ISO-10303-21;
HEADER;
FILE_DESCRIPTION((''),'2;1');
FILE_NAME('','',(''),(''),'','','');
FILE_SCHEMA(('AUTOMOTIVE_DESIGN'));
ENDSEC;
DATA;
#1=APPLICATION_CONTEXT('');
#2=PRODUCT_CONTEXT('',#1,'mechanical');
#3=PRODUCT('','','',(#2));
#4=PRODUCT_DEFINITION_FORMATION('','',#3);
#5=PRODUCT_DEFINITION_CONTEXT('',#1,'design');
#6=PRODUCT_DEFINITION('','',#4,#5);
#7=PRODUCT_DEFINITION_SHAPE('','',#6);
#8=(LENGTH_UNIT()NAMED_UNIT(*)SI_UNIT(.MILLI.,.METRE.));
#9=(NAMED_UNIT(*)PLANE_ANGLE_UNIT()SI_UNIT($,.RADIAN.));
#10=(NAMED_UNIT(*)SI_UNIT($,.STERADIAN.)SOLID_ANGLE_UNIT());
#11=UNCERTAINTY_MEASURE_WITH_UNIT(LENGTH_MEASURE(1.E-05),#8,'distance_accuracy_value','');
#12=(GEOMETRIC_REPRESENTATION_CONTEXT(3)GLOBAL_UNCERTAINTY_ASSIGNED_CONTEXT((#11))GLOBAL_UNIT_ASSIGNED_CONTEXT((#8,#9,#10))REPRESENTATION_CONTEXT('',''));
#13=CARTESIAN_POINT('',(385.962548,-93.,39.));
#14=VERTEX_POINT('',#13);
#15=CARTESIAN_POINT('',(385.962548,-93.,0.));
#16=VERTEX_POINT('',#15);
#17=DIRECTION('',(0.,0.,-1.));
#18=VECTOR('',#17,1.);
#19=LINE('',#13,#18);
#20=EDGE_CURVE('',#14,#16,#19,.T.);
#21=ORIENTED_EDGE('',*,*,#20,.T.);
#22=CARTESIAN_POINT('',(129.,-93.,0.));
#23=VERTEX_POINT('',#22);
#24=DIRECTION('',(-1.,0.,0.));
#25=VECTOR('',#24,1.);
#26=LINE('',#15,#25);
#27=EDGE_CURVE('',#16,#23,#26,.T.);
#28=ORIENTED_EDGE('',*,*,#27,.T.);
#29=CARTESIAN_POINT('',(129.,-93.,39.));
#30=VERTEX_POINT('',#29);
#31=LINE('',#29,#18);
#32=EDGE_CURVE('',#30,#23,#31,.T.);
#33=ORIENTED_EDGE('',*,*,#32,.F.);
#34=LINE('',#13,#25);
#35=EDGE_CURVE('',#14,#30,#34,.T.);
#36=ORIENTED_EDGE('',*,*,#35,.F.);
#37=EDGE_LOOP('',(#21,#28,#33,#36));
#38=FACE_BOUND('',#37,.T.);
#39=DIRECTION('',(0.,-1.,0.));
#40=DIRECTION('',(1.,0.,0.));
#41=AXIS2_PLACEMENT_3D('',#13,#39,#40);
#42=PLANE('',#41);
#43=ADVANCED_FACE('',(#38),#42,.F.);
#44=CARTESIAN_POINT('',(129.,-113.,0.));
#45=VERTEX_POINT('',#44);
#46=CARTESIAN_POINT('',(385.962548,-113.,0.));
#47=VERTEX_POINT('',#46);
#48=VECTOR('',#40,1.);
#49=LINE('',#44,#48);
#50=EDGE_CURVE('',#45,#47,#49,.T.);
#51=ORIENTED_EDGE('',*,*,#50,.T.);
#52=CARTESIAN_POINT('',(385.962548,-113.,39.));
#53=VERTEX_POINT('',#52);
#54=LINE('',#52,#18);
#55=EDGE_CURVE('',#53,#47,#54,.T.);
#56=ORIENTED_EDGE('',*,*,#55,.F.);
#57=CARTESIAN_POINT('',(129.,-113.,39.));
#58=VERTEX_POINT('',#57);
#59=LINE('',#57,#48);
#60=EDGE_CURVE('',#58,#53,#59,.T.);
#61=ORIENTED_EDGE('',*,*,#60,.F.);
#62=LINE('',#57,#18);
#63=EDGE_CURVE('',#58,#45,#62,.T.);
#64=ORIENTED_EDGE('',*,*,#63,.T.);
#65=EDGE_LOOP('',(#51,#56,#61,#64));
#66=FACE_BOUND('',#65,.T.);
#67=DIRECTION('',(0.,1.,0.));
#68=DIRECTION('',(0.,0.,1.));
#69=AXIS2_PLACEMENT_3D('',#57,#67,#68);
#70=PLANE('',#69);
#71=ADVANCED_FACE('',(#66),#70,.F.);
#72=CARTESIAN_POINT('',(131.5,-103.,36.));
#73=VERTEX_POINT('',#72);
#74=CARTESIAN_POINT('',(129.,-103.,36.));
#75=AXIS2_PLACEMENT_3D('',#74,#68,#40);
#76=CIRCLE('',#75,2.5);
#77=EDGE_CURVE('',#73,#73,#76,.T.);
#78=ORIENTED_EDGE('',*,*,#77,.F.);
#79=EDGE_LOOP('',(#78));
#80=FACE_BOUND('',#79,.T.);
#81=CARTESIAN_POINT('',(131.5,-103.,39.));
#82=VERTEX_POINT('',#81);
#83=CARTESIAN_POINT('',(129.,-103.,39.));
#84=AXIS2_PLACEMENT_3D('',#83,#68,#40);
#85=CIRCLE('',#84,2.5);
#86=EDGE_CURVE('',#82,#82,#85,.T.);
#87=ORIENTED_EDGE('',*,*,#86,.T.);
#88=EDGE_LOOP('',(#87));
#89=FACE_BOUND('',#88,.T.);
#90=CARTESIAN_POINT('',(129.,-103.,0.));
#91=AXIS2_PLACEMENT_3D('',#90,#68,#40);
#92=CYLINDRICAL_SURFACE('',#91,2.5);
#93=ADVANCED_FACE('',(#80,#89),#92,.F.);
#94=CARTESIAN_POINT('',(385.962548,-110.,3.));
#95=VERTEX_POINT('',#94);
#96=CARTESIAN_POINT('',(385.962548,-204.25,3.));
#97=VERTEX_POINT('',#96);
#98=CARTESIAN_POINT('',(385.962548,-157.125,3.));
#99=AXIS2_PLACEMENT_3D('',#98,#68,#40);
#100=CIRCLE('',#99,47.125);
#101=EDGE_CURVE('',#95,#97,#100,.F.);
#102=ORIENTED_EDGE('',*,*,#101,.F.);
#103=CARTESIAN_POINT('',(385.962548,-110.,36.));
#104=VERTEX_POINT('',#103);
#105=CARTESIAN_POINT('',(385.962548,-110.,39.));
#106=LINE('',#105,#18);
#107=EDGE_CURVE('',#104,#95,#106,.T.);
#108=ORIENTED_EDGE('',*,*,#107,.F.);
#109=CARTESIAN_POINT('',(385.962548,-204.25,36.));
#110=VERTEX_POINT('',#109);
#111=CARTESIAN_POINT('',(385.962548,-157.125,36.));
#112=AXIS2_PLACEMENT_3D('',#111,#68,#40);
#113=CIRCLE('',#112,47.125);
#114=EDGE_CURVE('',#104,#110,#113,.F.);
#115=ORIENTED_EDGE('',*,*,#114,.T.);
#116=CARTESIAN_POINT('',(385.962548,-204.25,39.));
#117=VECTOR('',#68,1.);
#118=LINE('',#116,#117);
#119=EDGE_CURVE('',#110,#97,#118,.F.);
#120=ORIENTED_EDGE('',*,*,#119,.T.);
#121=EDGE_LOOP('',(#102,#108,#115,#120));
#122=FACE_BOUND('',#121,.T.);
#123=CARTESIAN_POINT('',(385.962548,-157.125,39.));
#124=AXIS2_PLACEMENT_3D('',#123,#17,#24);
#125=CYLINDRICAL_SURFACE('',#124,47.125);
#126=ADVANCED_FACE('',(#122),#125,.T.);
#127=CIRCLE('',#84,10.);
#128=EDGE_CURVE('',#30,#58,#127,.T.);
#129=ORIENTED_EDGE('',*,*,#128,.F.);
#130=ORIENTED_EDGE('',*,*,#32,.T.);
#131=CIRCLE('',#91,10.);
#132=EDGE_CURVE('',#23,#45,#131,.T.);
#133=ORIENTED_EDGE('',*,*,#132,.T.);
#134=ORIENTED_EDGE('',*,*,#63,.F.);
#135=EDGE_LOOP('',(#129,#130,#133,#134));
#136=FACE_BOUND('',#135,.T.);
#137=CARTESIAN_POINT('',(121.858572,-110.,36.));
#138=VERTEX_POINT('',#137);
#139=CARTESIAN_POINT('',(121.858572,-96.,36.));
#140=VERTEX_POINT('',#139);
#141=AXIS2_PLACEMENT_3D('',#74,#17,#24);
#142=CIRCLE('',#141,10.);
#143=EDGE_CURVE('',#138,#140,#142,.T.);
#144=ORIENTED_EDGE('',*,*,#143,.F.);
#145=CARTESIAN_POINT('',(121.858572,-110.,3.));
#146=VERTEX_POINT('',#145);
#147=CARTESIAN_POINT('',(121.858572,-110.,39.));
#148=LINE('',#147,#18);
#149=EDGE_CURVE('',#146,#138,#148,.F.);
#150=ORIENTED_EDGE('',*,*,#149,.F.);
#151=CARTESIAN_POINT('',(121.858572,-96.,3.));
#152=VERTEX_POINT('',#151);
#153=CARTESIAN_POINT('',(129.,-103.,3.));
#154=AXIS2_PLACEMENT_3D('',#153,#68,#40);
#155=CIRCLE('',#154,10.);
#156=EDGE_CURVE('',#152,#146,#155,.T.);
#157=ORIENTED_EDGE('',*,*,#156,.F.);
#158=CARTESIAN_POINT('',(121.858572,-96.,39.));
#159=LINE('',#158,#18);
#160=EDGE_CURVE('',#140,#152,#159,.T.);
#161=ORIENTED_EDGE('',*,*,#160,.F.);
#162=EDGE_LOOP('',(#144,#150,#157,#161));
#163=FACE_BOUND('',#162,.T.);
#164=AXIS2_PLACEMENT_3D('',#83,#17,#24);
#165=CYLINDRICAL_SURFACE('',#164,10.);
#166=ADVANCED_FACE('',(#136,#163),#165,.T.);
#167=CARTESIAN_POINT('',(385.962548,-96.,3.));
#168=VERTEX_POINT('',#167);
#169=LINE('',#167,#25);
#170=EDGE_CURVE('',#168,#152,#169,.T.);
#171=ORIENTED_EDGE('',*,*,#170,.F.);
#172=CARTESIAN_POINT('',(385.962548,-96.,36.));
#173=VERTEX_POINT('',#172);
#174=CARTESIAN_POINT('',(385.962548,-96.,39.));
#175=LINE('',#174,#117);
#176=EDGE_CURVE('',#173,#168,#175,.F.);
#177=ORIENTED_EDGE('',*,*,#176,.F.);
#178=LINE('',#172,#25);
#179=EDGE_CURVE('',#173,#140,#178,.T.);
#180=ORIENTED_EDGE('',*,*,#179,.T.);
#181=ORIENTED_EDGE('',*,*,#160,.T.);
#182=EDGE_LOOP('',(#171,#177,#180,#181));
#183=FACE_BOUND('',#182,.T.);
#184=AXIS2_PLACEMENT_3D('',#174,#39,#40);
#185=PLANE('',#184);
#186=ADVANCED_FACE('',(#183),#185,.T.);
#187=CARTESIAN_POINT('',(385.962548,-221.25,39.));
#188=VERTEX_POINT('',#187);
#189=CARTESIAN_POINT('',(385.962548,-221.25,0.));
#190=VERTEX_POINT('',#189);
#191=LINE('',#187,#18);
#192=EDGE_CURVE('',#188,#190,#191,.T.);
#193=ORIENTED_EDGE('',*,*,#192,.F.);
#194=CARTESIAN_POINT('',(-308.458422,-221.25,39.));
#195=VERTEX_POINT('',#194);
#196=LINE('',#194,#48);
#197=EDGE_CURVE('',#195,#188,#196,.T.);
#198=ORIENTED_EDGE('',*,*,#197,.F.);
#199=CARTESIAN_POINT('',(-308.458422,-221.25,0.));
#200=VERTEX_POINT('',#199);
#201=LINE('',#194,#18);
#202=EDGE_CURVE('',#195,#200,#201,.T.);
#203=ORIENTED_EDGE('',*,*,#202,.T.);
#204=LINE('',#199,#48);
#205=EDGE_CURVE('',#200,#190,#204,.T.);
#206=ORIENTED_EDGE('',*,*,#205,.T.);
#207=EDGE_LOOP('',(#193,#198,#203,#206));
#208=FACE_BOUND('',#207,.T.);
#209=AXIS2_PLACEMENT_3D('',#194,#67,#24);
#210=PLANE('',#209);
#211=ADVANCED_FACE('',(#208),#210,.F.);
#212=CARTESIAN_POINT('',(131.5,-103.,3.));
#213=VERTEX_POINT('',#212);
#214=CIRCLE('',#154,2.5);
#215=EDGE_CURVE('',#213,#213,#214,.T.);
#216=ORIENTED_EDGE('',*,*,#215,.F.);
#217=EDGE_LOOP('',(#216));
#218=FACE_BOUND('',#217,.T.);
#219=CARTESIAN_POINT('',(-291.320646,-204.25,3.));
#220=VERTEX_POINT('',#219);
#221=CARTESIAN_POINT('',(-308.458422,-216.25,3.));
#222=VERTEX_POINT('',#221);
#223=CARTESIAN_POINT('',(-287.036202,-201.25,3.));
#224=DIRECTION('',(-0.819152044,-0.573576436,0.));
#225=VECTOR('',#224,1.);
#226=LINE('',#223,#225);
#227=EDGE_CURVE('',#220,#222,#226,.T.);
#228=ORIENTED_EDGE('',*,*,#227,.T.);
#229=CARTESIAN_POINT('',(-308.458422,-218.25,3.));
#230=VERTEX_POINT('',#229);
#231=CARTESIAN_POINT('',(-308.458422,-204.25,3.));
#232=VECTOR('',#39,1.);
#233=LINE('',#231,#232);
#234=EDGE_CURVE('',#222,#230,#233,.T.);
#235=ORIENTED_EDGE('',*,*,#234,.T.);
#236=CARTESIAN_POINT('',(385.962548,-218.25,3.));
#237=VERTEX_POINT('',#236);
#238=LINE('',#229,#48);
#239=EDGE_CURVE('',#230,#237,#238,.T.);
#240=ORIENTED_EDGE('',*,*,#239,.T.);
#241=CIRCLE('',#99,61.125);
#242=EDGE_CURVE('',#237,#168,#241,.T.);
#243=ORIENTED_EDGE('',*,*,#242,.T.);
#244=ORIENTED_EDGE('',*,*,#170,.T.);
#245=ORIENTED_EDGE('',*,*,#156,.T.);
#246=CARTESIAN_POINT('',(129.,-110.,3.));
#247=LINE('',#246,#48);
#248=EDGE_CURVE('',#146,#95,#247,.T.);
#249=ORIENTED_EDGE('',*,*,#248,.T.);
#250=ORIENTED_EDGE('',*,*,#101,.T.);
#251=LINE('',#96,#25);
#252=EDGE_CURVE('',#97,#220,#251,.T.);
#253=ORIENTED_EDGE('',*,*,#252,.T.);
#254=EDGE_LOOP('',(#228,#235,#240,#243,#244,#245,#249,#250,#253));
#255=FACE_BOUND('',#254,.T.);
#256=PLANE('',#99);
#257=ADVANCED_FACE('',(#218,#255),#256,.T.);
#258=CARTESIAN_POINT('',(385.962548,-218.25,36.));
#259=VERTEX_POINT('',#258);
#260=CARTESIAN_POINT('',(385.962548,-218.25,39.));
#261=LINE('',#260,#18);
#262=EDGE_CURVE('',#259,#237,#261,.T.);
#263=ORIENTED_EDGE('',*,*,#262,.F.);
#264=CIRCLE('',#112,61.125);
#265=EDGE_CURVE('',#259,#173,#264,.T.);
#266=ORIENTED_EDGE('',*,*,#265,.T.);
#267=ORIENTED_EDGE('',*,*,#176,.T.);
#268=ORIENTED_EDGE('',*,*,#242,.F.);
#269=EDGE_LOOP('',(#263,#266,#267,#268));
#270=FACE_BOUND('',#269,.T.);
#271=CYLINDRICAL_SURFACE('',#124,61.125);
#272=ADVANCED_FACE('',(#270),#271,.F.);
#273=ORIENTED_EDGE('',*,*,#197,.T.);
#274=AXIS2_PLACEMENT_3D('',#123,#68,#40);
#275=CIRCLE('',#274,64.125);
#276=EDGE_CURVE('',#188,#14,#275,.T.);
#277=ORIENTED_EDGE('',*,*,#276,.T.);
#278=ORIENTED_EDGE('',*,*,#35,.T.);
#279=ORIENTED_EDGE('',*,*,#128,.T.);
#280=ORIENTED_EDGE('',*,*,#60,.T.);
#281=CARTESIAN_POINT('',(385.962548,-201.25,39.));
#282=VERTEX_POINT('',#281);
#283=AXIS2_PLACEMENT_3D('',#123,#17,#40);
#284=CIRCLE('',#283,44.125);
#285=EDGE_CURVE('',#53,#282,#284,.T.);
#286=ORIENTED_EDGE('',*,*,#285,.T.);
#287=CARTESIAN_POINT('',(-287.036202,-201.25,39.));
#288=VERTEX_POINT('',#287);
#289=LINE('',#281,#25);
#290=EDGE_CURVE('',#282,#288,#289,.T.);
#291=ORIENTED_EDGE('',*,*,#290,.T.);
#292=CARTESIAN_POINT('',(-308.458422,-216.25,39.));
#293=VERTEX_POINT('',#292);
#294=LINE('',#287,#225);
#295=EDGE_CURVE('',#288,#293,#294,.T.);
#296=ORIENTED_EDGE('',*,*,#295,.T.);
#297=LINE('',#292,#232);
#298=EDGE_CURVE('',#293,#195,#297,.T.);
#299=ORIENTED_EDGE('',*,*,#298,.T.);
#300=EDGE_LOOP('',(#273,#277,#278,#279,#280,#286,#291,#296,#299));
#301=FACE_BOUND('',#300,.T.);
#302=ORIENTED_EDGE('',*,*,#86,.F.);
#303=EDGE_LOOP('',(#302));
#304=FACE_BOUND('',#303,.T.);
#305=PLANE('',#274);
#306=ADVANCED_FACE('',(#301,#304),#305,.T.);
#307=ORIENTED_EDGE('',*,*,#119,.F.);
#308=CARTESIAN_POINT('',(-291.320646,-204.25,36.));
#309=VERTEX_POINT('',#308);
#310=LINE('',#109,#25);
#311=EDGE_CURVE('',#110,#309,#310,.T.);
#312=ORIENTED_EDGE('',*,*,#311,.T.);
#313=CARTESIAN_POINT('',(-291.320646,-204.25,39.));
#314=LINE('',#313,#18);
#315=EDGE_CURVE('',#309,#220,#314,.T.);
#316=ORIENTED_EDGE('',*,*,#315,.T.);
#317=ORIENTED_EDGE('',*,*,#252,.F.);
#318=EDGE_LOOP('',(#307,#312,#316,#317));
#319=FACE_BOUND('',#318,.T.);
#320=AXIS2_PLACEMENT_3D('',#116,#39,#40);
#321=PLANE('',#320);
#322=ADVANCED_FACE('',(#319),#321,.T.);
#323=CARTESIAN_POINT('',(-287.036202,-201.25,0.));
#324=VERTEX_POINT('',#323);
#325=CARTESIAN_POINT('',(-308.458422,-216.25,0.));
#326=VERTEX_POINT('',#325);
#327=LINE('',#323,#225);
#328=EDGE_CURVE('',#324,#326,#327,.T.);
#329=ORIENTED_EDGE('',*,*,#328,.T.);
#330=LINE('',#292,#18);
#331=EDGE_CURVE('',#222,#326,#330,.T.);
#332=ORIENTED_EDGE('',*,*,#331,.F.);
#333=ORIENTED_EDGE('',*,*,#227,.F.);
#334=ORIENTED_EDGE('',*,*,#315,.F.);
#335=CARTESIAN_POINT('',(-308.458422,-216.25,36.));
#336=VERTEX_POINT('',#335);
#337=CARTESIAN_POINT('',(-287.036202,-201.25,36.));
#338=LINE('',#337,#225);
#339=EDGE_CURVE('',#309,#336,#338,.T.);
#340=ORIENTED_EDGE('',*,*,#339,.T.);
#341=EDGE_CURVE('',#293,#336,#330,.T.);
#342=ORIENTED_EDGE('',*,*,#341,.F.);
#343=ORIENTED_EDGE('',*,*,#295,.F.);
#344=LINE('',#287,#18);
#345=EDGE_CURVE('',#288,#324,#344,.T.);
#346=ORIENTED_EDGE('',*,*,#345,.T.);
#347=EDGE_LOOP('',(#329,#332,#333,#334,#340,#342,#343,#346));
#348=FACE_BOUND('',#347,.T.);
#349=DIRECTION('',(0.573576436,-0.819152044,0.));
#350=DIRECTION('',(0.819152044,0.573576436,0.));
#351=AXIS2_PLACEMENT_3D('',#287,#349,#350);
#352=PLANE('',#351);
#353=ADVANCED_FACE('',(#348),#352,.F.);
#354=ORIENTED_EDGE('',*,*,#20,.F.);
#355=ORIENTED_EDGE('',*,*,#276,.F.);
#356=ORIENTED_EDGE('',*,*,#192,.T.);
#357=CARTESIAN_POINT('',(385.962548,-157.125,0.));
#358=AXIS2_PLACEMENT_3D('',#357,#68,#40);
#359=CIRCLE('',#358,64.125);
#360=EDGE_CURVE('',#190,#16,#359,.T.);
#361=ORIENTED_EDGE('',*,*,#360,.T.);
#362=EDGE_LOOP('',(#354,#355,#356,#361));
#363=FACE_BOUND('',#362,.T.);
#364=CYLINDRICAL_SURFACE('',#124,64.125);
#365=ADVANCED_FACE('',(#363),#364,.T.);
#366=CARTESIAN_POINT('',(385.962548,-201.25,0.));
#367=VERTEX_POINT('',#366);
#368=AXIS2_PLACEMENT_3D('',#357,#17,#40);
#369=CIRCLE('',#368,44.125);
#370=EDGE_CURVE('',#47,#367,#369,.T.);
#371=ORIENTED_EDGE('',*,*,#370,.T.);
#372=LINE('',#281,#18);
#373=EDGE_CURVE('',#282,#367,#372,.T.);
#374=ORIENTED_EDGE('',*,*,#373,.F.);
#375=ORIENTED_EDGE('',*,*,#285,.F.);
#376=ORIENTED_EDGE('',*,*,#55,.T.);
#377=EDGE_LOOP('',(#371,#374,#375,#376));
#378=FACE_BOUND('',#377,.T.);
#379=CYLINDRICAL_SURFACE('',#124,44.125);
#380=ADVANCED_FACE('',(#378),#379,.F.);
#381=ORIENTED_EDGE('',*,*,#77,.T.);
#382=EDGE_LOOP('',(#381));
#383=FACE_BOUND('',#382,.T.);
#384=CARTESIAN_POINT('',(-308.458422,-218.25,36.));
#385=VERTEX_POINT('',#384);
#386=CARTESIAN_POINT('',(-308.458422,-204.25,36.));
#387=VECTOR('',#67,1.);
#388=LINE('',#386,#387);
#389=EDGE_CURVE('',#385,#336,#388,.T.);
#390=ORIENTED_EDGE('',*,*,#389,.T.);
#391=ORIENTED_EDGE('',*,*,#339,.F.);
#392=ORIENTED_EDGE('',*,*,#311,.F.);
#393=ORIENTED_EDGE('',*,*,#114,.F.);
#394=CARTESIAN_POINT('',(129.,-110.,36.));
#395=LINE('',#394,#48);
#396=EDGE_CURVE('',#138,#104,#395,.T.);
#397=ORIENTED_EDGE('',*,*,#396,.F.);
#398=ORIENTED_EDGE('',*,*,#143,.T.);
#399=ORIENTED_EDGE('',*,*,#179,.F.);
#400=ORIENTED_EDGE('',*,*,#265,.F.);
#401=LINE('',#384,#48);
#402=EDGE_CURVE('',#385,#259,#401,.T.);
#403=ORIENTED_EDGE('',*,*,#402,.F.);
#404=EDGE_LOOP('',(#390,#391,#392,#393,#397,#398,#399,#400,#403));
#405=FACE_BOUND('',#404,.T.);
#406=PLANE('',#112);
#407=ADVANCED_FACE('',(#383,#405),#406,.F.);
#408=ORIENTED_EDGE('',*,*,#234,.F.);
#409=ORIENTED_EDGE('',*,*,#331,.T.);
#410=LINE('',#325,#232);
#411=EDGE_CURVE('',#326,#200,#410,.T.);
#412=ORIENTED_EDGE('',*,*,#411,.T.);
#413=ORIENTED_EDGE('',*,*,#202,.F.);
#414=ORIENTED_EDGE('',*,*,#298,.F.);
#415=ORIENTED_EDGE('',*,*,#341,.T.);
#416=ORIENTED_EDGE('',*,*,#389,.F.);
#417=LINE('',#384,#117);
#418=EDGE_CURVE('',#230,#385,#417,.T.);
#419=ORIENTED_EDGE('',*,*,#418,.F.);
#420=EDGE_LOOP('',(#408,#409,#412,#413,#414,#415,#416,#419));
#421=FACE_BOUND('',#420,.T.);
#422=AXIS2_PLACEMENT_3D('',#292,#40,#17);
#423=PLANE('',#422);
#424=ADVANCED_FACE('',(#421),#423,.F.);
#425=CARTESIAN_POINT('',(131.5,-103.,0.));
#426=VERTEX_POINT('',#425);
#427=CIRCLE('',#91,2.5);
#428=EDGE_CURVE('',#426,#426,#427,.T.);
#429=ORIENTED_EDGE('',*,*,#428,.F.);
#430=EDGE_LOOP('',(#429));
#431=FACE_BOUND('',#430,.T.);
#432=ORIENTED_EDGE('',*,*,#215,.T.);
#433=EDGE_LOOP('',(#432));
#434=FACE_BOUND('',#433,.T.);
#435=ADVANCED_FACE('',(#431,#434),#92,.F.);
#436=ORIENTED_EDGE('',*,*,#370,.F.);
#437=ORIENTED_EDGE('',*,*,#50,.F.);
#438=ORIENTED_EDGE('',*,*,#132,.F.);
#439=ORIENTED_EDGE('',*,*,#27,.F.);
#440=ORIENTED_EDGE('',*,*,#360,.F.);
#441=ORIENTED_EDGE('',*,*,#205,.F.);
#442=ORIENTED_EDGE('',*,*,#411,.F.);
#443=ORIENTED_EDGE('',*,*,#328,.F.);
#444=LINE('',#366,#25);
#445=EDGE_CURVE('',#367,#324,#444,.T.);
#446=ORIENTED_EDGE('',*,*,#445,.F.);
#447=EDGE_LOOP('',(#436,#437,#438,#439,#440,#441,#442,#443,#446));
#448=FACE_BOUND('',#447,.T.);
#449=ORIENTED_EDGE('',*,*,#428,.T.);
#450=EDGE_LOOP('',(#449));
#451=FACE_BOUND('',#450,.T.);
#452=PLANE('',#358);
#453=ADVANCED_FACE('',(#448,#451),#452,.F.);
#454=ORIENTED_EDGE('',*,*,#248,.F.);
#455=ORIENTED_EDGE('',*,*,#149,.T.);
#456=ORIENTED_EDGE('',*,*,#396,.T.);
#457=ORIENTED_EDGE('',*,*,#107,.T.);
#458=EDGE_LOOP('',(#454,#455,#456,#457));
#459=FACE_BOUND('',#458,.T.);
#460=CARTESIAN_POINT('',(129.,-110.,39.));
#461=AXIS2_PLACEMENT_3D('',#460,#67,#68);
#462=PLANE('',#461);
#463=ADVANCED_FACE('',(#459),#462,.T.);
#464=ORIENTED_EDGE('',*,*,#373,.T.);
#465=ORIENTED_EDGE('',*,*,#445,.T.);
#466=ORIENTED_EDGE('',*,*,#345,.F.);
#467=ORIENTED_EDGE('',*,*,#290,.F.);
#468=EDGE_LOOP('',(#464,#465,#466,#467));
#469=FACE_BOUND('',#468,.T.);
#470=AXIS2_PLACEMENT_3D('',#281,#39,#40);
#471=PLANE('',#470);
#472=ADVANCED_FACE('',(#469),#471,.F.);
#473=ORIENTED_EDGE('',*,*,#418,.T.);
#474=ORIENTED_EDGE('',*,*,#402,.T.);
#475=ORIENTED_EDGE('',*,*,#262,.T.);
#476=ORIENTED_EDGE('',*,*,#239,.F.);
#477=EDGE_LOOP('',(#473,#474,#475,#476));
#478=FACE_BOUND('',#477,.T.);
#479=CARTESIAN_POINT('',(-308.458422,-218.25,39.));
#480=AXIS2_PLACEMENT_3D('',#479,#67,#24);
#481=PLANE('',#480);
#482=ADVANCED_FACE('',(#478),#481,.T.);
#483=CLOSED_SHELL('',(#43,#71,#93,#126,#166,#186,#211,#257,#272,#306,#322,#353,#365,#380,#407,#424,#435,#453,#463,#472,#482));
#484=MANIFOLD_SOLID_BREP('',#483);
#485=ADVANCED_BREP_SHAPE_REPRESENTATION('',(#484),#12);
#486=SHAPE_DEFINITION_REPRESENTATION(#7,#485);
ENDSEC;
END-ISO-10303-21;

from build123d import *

# Parameters (mm, degrees)
BOSS_EXTRUDE1_DEPTH = 39
SHELL1_T            = -3
SKETCH2_W           = 33
SKETCH2_H           = 14
CUT_EXTRUDE1_DEPTH  = 730.858236947
SKETCH3_R           = 2.5
CUT_EXTRUDE2_DEPTH  = 504.042108716


with BuildPart() as part:
    # Sketch1 → Boss-Extrude1 (new body)
    with BuildSketch(Plane.XY):
        with BuildLine():
            Line((385.962547752, -201.25), (-287.036202121, -201.25))
            Line((-287.036202121, -201.25), (-308.458422222, -216.25))
            Line((-308.458422222, -216.25), (-308.458422222, -221.25))
            Line((-308.458422222, -221.25), (385.962547752, -221.25))
            ThreePointArc((385.962547752, -221.25), (450.087547752, -157.125), (385.962547752, -93))
            Line((385.962547752, -93), (129, -93))
            ThreePointArc((129, -93), (119, -103), (129, -113))
            Line((129, -113), (385.962547752, -113))
            ThreePointArc((385.962547752, -113), (430.087547752, -157.125), (385.962547752, -201.25))
        make_face()
    extrude(amount=BOSS_EXTRUDE1_DEPTH)

    # Shell1
    shell1_openings = [part.faces().sort_by_distance(p)[0] for p in [
        (-297.747312172, -208.75, 19.5),
    ]]
    offset(amount=SHELL1_T, openings=shell1_openings, kind=Kind.INTERSECTION)

    # Sketch2 → Cut-Extrude1 (cut, through all)
    with BuildSketch(Plane.ZY.offset(-385.962547752)):
        with Locations((19.5, -103)):
            Rectangle(SKETCH2_W, SKETCH2_H)
        with Locations((19.5, -211.25)):
            Rectangle(SKETCH2_W, SKETCH2_H)
    extrude(amount=CUT_EXTRUDE1_DEPTH, mode=Mode.SUBTRACT)

    # Sketch3 → Cut-Extrude2 (cut, through all)
    with BuildSketch(Plane.XY.offset(39)):
        with Locations((129, -103)):
            Circle(SKETCH3_R)
    extrude(amount=-CUT_EXTRUDE2_DEPTH, mode=Mode.SUBTRACT)


solid = part.part
